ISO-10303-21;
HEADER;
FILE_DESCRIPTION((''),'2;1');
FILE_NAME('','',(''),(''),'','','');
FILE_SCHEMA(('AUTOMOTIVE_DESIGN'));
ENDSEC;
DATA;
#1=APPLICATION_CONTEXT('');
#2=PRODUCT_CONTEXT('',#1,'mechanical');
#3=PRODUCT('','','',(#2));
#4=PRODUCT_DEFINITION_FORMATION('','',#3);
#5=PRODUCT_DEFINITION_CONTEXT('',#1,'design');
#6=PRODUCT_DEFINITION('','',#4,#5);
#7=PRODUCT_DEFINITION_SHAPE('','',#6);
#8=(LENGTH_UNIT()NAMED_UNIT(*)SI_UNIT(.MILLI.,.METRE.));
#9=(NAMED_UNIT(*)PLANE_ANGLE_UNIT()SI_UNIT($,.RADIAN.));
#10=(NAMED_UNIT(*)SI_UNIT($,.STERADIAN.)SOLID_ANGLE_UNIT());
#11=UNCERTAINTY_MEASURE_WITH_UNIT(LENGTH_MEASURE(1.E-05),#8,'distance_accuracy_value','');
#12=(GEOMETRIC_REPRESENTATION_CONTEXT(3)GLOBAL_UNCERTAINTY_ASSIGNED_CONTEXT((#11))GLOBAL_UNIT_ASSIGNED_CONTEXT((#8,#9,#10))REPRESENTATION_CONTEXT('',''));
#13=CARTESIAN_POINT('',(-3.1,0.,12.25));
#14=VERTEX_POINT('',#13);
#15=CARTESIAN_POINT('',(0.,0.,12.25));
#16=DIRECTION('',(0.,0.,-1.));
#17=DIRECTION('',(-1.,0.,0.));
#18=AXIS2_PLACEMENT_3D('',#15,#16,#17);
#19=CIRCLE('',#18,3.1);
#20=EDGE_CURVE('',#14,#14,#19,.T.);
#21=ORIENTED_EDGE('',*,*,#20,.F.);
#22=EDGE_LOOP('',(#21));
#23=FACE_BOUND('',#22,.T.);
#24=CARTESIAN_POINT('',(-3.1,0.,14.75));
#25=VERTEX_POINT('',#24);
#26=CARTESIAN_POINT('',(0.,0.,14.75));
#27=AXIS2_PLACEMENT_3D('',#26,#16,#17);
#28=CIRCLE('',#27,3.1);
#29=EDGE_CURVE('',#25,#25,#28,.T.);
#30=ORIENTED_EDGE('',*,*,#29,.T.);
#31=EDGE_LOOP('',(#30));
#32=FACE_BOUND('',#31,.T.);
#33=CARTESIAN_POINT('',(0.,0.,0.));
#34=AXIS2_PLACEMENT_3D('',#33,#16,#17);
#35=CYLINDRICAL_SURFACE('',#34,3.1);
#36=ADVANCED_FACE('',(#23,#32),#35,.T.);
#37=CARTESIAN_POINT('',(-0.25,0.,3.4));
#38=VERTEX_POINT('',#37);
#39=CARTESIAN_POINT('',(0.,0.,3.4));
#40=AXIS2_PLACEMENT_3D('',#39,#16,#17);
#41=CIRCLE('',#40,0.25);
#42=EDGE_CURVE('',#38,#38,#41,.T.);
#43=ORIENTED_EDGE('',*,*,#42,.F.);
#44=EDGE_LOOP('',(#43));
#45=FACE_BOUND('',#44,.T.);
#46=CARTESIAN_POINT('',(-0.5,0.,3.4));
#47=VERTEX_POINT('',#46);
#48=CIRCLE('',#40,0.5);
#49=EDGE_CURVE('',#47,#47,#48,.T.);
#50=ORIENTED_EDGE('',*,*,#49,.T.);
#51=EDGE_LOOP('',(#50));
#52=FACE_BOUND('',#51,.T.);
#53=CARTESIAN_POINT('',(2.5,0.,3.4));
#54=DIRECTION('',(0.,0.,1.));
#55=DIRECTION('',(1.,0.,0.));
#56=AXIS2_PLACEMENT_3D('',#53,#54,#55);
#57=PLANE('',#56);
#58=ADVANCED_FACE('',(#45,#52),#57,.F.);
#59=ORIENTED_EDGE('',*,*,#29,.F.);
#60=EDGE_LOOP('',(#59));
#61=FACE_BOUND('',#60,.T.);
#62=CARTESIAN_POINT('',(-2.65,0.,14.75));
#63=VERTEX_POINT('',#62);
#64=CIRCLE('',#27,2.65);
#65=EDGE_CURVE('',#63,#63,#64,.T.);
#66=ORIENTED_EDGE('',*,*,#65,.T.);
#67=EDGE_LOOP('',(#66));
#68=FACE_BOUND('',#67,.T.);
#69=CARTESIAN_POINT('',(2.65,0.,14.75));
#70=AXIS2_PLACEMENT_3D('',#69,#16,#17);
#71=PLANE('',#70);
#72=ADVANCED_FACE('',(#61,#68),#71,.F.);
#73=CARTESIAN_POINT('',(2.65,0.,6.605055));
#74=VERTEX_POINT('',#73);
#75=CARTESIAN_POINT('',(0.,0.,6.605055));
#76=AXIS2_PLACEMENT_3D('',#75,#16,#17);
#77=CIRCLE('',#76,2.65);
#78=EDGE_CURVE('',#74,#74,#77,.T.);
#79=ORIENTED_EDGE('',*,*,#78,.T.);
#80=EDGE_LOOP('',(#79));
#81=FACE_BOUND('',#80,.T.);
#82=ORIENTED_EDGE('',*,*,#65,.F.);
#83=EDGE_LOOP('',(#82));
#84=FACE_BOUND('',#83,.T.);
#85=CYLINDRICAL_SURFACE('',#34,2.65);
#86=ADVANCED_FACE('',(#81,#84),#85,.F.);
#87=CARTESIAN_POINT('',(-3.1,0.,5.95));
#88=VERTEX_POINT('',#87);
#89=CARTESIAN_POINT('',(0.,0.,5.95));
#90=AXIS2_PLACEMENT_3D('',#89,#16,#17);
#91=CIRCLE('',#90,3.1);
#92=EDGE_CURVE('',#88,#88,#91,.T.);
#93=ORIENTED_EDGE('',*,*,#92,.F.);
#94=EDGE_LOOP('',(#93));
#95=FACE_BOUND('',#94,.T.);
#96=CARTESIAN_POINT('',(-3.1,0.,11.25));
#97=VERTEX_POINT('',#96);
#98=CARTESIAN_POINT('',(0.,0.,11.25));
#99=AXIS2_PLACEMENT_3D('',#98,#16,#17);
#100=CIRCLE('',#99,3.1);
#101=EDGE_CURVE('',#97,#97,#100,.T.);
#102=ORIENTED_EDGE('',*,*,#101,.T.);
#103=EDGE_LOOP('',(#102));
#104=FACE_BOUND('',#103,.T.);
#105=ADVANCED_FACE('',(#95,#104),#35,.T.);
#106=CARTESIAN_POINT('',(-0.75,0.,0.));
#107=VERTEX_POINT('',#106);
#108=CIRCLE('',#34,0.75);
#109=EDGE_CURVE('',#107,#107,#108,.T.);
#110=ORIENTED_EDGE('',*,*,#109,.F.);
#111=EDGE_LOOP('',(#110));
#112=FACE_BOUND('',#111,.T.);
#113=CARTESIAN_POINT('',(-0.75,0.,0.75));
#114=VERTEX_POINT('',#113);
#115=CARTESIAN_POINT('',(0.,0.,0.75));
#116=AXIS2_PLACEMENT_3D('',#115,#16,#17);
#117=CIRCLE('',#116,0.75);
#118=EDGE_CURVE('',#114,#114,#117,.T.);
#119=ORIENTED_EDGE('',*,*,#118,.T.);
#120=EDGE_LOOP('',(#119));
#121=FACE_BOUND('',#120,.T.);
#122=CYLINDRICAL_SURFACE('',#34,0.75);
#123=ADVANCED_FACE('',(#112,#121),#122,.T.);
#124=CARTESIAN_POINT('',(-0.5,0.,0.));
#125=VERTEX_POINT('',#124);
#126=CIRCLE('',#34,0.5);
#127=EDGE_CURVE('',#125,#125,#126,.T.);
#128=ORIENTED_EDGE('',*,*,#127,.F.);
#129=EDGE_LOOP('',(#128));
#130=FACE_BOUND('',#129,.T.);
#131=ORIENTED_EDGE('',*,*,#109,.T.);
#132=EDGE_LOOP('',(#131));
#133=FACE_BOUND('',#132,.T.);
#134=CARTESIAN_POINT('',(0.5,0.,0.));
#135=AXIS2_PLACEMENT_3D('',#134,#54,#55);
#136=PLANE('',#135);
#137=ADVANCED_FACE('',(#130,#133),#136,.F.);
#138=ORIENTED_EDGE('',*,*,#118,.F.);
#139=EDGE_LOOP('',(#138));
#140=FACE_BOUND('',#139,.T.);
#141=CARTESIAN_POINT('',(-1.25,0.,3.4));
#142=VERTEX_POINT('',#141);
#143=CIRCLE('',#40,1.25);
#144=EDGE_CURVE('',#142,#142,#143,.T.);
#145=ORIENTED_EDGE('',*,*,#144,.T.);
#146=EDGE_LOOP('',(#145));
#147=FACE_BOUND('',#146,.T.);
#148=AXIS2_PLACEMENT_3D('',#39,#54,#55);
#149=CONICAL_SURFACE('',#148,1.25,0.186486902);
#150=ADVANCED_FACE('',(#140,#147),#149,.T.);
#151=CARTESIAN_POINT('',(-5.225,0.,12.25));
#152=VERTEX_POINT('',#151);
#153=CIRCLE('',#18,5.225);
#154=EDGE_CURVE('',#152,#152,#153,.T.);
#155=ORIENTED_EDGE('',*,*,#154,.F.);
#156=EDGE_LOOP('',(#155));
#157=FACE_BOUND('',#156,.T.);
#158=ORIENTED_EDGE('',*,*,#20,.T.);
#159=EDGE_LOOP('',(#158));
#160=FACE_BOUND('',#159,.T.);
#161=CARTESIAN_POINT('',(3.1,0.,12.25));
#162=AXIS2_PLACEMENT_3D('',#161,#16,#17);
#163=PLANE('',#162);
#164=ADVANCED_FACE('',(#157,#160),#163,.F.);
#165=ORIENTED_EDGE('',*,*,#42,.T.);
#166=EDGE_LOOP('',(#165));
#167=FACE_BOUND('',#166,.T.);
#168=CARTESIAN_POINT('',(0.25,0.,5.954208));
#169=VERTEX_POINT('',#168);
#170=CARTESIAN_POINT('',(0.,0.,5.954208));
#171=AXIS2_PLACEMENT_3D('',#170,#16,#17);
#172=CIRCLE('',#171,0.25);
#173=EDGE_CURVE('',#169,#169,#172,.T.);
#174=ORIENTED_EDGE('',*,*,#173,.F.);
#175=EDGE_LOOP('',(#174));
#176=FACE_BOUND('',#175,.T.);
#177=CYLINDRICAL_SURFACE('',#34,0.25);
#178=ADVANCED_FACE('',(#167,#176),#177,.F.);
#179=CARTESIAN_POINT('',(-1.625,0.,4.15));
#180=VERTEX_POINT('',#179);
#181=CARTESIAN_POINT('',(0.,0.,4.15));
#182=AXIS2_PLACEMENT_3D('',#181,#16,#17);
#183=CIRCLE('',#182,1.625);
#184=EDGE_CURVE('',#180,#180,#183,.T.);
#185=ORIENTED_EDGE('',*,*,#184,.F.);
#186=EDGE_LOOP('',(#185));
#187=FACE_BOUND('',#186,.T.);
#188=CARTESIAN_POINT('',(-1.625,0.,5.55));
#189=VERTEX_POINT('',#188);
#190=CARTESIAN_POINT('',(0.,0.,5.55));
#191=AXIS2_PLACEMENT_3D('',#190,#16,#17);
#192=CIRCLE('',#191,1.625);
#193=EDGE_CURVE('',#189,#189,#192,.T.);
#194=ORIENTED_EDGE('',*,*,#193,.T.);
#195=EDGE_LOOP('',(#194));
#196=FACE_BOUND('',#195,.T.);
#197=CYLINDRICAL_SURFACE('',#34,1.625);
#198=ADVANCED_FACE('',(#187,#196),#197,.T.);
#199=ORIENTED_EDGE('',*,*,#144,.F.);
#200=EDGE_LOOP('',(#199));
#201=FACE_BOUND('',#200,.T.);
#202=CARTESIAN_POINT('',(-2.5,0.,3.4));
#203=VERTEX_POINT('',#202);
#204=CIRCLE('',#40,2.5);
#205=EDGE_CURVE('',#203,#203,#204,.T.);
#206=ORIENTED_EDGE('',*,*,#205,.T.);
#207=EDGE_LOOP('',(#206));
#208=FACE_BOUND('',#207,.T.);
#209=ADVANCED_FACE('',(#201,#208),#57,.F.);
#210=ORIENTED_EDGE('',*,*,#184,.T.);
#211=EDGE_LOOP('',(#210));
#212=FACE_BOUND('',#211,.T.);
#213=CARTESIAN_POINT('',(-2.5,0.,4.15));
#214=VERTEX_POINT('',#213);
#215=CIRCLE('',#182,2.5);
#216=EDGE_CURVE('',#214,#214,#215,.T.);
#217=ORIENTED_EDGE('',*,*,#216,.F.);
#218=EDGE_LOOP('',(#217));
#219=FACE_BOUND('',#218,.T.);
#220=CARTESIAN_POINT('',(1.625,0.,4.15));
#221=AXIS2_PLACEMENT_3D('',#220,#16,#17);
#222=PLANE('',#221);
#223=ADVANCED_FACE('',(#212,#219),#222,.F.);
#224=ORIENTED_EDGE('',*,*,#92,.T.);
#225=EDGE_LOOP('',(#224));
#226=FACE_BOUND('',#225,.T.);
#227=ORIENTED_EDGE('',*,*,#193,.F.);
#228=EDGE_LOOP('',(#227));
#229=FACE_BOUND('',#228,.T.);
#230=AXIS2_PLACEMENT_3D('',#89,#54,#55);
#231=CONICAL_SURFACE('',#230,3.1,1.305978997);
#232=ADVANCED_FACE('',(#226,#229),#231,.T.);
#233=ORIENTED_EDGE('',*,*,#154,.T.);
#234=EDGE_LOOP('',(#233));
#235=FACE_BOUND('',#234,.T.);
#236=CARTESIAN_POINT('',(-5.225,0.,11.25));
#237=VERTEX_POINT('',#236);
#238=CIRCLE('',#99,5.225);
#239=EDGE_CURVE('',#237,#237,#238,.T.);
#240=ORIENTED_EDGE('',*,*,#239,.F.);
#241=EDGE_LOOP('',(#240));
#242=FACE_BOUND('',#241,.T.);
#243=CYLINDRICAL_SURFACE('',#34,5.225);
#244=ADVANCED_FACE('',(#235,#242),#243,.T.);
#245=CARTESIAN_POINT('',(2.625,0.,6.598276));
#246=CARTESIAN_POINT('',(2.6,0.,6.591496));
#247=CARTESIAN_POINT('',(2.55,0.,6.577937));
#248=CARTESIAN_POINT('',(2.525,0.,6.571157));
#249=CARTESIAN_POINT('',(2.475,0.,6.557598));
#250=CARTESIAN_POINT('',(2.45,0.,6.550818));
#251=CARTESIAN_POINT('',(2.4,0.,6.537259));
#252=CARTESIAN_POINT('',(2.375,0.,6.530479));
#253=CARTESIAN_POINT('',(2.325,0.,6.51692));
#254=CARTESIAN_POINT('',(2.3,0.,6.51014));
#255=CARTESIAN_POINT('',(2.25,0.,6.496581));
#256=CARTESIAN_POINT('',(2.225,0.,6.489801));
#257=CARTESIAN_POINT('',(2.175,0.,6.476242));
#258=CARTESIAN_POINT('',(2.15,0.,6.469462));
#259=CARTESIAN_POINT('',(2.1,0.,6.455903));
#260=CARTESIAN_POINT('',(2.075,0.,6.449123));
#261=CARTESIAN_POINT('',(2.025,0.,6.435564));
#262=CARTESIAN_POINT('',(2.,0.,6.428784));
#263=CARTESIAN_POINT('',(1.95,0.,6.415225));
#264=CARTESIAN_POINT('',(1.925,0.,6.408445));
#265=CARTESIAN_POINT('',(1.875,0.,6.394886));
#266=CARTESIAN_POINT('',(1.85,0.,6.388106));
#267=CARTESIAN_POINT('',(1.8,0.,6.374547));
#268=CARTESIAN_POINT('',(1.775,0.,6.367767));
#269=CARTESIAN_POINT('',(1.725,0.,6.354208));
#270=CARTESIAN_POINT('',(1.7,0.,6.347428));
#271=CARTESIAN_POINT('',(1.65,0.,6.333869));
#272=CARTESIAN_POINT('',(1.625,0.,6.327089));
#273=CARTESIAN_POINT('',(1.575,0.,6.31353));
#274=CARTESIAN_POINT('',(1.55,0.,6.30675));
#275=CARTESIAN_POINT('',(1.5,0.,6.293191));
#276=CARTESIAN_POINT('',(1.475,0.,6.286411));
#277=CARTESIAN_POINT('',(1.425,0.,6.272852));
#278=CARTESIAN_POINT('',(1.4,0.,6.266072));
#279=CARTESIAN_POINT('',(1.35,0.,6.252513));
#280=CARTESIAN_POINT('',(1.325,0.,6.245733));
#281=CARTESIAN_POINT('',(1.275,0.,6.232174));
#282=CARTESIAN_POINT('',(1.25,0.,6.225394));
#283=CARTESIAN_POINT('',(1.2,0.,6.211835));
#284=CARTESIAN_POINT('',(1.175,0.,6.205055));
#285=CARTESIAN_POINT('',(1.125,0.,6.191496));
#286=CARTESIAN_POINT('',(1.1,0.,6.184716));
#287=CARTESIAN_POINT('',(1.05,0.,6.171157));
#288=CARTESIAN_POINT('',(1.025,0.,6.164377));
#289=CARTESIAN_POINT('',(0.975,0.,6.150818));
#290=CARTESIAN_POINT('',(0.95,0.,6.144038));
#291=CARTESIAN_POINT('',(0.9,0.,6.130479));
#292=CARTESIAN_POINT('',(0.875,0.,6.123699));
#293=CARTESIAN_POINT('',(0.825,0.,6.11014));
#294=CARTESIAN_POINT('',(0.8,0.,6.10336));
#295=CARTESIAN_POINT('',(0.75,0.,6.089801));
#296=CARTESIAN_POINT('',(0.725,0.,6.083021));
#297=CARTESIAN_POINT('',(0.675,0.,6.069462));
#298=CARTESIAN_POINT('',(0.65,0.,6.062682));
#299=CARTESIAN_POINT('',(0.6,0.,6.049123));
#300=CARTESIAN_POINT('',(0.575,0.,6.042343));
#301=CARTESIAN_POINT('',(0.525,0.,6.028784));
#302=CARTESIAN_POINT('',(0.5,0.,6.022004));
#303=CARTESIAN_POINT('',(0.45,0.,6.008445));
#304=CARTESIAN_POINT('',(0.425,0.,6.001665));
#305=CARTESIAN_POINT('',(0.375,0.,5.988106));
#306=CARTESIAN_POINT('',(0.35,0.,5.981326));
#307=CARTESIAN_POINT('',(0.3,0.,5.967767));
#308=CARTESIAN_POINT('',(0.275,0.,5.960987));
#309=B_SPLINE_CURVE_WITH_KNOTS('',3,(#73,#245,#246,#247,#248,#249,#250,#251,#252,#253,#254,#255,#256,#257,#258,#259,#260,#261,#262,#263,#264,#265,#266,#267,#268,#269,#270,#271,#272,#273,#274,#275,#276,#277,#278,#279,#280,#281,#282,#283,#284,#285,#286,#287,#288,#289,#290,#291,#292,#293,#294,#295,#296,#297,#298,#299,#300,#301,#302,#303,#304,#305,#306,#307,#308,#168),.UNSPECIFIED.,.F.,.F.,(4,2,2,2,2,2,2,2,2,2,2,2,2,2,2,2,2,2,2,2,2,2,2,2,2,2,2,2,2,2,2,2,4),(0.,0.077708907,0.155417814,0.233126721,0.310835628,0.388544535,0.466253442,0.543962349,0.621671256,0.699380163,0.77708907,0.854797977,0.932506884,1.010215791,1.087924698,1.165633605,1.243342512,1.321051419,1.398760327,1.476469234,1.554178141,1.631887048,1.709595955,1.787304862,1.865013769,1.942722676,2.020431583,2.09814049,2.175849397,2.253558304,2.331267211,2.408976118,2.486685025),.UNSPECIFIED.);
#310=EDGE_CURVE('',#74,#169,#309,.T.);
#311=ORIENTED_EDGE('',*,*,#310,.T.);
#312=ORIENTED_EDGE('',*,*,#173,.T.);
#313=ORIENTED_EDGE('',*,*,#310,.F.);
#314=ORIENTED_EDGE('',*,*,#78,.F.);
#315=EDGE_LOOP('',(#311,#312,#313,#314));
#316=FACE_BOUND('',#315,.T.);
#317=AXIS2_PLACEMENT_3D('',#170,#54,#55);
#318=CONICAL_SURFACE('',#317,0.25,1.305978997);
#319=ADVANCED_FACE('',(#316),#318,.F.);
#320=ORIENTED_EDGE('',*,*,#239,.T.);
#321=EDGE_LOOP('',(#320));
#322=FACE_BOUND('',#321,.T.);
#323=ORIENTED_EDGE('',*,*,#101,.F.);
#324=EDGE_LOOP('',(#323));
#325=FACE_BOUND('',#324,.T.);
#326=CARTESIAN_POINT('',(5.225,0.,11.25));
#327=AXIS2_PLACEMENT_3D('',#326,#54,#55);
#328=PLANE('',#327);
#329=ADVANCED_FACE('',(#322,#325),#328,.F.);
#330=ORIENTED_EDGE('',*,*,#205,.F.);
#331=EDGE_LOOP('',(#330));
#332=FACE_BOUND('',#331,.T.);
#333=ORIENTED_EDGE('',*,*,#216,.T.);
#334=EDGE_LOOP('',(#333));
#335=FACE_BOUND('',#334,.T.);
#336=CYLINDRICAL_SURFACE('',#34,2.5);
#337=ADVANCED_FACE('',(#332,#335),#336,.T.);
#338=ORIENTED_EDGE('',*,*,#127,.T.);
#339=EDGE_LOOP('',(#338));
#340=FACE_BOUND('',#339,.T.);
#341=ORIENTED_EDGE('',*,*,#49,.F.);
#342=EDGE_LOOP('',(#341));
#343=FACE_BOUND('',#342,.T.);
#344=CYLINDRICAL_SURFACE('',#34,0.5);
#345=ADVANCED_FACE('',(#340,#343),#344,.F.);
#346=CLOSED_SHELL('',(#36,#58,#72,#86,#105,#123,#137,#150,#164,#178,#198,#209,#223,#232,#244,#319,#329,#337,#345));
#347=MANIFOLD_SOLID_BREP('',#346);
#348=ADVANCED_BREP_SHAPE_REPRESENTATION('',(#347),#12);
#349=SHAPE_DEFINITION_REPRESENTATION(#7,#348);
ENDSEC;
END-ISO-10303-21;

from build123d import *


with BuildPart() as part:
    # Body Sketch → Body Revolve (revolve)
    with BuildSketch(Plane(origin=(0, 0, 0), x_dir=(1, 0, 0), z_dir=(0, 1, 0)), mode=Mode.PRIVATE) as body_revolve_sk:
        Polygon((2.65, -14.75), (3.1, -14.75), (3.1, -12.25), (5.225, -12.25), (5.225, -11.25), (3.1, -11.25), (3.1, -5.95), (1.625, -5.55), (1.625, -4.15), (2.5, -4.15), (2.5, -3.4), (0.25, -3.4), (0.25, -5.954207714), (2.65, -6.605055172), align=None)
    revolve(body_revolve_sk.sketch.rotate(Axis((0, 0, 0), (0, 0, 1)), 180), axis=Axis((0, 0, 0), (0, 0, 1)))

    # N08 Sketch → N08 Revolve (revolve)
    with BuildSketch(Plane(origin=(0, 0, 0), x_dir=(1, 0, 0), z_dir=(0, 1, 0)), mode=Mode.PRIVATE) as n08_revolve_sk:
        Polygon((0.5, 0), (0.75, 0), (0.75, -0.75), (1.25, -3.4), (0.5, -3.4), align=None)
    revolve(n08_revolve_sk.sketch.rotate(Axis((0, 0, 0), (0, 0, 1)), 180), axis=Axis((0, 0, 0), (0, 0, 1)))


solid = part.part
